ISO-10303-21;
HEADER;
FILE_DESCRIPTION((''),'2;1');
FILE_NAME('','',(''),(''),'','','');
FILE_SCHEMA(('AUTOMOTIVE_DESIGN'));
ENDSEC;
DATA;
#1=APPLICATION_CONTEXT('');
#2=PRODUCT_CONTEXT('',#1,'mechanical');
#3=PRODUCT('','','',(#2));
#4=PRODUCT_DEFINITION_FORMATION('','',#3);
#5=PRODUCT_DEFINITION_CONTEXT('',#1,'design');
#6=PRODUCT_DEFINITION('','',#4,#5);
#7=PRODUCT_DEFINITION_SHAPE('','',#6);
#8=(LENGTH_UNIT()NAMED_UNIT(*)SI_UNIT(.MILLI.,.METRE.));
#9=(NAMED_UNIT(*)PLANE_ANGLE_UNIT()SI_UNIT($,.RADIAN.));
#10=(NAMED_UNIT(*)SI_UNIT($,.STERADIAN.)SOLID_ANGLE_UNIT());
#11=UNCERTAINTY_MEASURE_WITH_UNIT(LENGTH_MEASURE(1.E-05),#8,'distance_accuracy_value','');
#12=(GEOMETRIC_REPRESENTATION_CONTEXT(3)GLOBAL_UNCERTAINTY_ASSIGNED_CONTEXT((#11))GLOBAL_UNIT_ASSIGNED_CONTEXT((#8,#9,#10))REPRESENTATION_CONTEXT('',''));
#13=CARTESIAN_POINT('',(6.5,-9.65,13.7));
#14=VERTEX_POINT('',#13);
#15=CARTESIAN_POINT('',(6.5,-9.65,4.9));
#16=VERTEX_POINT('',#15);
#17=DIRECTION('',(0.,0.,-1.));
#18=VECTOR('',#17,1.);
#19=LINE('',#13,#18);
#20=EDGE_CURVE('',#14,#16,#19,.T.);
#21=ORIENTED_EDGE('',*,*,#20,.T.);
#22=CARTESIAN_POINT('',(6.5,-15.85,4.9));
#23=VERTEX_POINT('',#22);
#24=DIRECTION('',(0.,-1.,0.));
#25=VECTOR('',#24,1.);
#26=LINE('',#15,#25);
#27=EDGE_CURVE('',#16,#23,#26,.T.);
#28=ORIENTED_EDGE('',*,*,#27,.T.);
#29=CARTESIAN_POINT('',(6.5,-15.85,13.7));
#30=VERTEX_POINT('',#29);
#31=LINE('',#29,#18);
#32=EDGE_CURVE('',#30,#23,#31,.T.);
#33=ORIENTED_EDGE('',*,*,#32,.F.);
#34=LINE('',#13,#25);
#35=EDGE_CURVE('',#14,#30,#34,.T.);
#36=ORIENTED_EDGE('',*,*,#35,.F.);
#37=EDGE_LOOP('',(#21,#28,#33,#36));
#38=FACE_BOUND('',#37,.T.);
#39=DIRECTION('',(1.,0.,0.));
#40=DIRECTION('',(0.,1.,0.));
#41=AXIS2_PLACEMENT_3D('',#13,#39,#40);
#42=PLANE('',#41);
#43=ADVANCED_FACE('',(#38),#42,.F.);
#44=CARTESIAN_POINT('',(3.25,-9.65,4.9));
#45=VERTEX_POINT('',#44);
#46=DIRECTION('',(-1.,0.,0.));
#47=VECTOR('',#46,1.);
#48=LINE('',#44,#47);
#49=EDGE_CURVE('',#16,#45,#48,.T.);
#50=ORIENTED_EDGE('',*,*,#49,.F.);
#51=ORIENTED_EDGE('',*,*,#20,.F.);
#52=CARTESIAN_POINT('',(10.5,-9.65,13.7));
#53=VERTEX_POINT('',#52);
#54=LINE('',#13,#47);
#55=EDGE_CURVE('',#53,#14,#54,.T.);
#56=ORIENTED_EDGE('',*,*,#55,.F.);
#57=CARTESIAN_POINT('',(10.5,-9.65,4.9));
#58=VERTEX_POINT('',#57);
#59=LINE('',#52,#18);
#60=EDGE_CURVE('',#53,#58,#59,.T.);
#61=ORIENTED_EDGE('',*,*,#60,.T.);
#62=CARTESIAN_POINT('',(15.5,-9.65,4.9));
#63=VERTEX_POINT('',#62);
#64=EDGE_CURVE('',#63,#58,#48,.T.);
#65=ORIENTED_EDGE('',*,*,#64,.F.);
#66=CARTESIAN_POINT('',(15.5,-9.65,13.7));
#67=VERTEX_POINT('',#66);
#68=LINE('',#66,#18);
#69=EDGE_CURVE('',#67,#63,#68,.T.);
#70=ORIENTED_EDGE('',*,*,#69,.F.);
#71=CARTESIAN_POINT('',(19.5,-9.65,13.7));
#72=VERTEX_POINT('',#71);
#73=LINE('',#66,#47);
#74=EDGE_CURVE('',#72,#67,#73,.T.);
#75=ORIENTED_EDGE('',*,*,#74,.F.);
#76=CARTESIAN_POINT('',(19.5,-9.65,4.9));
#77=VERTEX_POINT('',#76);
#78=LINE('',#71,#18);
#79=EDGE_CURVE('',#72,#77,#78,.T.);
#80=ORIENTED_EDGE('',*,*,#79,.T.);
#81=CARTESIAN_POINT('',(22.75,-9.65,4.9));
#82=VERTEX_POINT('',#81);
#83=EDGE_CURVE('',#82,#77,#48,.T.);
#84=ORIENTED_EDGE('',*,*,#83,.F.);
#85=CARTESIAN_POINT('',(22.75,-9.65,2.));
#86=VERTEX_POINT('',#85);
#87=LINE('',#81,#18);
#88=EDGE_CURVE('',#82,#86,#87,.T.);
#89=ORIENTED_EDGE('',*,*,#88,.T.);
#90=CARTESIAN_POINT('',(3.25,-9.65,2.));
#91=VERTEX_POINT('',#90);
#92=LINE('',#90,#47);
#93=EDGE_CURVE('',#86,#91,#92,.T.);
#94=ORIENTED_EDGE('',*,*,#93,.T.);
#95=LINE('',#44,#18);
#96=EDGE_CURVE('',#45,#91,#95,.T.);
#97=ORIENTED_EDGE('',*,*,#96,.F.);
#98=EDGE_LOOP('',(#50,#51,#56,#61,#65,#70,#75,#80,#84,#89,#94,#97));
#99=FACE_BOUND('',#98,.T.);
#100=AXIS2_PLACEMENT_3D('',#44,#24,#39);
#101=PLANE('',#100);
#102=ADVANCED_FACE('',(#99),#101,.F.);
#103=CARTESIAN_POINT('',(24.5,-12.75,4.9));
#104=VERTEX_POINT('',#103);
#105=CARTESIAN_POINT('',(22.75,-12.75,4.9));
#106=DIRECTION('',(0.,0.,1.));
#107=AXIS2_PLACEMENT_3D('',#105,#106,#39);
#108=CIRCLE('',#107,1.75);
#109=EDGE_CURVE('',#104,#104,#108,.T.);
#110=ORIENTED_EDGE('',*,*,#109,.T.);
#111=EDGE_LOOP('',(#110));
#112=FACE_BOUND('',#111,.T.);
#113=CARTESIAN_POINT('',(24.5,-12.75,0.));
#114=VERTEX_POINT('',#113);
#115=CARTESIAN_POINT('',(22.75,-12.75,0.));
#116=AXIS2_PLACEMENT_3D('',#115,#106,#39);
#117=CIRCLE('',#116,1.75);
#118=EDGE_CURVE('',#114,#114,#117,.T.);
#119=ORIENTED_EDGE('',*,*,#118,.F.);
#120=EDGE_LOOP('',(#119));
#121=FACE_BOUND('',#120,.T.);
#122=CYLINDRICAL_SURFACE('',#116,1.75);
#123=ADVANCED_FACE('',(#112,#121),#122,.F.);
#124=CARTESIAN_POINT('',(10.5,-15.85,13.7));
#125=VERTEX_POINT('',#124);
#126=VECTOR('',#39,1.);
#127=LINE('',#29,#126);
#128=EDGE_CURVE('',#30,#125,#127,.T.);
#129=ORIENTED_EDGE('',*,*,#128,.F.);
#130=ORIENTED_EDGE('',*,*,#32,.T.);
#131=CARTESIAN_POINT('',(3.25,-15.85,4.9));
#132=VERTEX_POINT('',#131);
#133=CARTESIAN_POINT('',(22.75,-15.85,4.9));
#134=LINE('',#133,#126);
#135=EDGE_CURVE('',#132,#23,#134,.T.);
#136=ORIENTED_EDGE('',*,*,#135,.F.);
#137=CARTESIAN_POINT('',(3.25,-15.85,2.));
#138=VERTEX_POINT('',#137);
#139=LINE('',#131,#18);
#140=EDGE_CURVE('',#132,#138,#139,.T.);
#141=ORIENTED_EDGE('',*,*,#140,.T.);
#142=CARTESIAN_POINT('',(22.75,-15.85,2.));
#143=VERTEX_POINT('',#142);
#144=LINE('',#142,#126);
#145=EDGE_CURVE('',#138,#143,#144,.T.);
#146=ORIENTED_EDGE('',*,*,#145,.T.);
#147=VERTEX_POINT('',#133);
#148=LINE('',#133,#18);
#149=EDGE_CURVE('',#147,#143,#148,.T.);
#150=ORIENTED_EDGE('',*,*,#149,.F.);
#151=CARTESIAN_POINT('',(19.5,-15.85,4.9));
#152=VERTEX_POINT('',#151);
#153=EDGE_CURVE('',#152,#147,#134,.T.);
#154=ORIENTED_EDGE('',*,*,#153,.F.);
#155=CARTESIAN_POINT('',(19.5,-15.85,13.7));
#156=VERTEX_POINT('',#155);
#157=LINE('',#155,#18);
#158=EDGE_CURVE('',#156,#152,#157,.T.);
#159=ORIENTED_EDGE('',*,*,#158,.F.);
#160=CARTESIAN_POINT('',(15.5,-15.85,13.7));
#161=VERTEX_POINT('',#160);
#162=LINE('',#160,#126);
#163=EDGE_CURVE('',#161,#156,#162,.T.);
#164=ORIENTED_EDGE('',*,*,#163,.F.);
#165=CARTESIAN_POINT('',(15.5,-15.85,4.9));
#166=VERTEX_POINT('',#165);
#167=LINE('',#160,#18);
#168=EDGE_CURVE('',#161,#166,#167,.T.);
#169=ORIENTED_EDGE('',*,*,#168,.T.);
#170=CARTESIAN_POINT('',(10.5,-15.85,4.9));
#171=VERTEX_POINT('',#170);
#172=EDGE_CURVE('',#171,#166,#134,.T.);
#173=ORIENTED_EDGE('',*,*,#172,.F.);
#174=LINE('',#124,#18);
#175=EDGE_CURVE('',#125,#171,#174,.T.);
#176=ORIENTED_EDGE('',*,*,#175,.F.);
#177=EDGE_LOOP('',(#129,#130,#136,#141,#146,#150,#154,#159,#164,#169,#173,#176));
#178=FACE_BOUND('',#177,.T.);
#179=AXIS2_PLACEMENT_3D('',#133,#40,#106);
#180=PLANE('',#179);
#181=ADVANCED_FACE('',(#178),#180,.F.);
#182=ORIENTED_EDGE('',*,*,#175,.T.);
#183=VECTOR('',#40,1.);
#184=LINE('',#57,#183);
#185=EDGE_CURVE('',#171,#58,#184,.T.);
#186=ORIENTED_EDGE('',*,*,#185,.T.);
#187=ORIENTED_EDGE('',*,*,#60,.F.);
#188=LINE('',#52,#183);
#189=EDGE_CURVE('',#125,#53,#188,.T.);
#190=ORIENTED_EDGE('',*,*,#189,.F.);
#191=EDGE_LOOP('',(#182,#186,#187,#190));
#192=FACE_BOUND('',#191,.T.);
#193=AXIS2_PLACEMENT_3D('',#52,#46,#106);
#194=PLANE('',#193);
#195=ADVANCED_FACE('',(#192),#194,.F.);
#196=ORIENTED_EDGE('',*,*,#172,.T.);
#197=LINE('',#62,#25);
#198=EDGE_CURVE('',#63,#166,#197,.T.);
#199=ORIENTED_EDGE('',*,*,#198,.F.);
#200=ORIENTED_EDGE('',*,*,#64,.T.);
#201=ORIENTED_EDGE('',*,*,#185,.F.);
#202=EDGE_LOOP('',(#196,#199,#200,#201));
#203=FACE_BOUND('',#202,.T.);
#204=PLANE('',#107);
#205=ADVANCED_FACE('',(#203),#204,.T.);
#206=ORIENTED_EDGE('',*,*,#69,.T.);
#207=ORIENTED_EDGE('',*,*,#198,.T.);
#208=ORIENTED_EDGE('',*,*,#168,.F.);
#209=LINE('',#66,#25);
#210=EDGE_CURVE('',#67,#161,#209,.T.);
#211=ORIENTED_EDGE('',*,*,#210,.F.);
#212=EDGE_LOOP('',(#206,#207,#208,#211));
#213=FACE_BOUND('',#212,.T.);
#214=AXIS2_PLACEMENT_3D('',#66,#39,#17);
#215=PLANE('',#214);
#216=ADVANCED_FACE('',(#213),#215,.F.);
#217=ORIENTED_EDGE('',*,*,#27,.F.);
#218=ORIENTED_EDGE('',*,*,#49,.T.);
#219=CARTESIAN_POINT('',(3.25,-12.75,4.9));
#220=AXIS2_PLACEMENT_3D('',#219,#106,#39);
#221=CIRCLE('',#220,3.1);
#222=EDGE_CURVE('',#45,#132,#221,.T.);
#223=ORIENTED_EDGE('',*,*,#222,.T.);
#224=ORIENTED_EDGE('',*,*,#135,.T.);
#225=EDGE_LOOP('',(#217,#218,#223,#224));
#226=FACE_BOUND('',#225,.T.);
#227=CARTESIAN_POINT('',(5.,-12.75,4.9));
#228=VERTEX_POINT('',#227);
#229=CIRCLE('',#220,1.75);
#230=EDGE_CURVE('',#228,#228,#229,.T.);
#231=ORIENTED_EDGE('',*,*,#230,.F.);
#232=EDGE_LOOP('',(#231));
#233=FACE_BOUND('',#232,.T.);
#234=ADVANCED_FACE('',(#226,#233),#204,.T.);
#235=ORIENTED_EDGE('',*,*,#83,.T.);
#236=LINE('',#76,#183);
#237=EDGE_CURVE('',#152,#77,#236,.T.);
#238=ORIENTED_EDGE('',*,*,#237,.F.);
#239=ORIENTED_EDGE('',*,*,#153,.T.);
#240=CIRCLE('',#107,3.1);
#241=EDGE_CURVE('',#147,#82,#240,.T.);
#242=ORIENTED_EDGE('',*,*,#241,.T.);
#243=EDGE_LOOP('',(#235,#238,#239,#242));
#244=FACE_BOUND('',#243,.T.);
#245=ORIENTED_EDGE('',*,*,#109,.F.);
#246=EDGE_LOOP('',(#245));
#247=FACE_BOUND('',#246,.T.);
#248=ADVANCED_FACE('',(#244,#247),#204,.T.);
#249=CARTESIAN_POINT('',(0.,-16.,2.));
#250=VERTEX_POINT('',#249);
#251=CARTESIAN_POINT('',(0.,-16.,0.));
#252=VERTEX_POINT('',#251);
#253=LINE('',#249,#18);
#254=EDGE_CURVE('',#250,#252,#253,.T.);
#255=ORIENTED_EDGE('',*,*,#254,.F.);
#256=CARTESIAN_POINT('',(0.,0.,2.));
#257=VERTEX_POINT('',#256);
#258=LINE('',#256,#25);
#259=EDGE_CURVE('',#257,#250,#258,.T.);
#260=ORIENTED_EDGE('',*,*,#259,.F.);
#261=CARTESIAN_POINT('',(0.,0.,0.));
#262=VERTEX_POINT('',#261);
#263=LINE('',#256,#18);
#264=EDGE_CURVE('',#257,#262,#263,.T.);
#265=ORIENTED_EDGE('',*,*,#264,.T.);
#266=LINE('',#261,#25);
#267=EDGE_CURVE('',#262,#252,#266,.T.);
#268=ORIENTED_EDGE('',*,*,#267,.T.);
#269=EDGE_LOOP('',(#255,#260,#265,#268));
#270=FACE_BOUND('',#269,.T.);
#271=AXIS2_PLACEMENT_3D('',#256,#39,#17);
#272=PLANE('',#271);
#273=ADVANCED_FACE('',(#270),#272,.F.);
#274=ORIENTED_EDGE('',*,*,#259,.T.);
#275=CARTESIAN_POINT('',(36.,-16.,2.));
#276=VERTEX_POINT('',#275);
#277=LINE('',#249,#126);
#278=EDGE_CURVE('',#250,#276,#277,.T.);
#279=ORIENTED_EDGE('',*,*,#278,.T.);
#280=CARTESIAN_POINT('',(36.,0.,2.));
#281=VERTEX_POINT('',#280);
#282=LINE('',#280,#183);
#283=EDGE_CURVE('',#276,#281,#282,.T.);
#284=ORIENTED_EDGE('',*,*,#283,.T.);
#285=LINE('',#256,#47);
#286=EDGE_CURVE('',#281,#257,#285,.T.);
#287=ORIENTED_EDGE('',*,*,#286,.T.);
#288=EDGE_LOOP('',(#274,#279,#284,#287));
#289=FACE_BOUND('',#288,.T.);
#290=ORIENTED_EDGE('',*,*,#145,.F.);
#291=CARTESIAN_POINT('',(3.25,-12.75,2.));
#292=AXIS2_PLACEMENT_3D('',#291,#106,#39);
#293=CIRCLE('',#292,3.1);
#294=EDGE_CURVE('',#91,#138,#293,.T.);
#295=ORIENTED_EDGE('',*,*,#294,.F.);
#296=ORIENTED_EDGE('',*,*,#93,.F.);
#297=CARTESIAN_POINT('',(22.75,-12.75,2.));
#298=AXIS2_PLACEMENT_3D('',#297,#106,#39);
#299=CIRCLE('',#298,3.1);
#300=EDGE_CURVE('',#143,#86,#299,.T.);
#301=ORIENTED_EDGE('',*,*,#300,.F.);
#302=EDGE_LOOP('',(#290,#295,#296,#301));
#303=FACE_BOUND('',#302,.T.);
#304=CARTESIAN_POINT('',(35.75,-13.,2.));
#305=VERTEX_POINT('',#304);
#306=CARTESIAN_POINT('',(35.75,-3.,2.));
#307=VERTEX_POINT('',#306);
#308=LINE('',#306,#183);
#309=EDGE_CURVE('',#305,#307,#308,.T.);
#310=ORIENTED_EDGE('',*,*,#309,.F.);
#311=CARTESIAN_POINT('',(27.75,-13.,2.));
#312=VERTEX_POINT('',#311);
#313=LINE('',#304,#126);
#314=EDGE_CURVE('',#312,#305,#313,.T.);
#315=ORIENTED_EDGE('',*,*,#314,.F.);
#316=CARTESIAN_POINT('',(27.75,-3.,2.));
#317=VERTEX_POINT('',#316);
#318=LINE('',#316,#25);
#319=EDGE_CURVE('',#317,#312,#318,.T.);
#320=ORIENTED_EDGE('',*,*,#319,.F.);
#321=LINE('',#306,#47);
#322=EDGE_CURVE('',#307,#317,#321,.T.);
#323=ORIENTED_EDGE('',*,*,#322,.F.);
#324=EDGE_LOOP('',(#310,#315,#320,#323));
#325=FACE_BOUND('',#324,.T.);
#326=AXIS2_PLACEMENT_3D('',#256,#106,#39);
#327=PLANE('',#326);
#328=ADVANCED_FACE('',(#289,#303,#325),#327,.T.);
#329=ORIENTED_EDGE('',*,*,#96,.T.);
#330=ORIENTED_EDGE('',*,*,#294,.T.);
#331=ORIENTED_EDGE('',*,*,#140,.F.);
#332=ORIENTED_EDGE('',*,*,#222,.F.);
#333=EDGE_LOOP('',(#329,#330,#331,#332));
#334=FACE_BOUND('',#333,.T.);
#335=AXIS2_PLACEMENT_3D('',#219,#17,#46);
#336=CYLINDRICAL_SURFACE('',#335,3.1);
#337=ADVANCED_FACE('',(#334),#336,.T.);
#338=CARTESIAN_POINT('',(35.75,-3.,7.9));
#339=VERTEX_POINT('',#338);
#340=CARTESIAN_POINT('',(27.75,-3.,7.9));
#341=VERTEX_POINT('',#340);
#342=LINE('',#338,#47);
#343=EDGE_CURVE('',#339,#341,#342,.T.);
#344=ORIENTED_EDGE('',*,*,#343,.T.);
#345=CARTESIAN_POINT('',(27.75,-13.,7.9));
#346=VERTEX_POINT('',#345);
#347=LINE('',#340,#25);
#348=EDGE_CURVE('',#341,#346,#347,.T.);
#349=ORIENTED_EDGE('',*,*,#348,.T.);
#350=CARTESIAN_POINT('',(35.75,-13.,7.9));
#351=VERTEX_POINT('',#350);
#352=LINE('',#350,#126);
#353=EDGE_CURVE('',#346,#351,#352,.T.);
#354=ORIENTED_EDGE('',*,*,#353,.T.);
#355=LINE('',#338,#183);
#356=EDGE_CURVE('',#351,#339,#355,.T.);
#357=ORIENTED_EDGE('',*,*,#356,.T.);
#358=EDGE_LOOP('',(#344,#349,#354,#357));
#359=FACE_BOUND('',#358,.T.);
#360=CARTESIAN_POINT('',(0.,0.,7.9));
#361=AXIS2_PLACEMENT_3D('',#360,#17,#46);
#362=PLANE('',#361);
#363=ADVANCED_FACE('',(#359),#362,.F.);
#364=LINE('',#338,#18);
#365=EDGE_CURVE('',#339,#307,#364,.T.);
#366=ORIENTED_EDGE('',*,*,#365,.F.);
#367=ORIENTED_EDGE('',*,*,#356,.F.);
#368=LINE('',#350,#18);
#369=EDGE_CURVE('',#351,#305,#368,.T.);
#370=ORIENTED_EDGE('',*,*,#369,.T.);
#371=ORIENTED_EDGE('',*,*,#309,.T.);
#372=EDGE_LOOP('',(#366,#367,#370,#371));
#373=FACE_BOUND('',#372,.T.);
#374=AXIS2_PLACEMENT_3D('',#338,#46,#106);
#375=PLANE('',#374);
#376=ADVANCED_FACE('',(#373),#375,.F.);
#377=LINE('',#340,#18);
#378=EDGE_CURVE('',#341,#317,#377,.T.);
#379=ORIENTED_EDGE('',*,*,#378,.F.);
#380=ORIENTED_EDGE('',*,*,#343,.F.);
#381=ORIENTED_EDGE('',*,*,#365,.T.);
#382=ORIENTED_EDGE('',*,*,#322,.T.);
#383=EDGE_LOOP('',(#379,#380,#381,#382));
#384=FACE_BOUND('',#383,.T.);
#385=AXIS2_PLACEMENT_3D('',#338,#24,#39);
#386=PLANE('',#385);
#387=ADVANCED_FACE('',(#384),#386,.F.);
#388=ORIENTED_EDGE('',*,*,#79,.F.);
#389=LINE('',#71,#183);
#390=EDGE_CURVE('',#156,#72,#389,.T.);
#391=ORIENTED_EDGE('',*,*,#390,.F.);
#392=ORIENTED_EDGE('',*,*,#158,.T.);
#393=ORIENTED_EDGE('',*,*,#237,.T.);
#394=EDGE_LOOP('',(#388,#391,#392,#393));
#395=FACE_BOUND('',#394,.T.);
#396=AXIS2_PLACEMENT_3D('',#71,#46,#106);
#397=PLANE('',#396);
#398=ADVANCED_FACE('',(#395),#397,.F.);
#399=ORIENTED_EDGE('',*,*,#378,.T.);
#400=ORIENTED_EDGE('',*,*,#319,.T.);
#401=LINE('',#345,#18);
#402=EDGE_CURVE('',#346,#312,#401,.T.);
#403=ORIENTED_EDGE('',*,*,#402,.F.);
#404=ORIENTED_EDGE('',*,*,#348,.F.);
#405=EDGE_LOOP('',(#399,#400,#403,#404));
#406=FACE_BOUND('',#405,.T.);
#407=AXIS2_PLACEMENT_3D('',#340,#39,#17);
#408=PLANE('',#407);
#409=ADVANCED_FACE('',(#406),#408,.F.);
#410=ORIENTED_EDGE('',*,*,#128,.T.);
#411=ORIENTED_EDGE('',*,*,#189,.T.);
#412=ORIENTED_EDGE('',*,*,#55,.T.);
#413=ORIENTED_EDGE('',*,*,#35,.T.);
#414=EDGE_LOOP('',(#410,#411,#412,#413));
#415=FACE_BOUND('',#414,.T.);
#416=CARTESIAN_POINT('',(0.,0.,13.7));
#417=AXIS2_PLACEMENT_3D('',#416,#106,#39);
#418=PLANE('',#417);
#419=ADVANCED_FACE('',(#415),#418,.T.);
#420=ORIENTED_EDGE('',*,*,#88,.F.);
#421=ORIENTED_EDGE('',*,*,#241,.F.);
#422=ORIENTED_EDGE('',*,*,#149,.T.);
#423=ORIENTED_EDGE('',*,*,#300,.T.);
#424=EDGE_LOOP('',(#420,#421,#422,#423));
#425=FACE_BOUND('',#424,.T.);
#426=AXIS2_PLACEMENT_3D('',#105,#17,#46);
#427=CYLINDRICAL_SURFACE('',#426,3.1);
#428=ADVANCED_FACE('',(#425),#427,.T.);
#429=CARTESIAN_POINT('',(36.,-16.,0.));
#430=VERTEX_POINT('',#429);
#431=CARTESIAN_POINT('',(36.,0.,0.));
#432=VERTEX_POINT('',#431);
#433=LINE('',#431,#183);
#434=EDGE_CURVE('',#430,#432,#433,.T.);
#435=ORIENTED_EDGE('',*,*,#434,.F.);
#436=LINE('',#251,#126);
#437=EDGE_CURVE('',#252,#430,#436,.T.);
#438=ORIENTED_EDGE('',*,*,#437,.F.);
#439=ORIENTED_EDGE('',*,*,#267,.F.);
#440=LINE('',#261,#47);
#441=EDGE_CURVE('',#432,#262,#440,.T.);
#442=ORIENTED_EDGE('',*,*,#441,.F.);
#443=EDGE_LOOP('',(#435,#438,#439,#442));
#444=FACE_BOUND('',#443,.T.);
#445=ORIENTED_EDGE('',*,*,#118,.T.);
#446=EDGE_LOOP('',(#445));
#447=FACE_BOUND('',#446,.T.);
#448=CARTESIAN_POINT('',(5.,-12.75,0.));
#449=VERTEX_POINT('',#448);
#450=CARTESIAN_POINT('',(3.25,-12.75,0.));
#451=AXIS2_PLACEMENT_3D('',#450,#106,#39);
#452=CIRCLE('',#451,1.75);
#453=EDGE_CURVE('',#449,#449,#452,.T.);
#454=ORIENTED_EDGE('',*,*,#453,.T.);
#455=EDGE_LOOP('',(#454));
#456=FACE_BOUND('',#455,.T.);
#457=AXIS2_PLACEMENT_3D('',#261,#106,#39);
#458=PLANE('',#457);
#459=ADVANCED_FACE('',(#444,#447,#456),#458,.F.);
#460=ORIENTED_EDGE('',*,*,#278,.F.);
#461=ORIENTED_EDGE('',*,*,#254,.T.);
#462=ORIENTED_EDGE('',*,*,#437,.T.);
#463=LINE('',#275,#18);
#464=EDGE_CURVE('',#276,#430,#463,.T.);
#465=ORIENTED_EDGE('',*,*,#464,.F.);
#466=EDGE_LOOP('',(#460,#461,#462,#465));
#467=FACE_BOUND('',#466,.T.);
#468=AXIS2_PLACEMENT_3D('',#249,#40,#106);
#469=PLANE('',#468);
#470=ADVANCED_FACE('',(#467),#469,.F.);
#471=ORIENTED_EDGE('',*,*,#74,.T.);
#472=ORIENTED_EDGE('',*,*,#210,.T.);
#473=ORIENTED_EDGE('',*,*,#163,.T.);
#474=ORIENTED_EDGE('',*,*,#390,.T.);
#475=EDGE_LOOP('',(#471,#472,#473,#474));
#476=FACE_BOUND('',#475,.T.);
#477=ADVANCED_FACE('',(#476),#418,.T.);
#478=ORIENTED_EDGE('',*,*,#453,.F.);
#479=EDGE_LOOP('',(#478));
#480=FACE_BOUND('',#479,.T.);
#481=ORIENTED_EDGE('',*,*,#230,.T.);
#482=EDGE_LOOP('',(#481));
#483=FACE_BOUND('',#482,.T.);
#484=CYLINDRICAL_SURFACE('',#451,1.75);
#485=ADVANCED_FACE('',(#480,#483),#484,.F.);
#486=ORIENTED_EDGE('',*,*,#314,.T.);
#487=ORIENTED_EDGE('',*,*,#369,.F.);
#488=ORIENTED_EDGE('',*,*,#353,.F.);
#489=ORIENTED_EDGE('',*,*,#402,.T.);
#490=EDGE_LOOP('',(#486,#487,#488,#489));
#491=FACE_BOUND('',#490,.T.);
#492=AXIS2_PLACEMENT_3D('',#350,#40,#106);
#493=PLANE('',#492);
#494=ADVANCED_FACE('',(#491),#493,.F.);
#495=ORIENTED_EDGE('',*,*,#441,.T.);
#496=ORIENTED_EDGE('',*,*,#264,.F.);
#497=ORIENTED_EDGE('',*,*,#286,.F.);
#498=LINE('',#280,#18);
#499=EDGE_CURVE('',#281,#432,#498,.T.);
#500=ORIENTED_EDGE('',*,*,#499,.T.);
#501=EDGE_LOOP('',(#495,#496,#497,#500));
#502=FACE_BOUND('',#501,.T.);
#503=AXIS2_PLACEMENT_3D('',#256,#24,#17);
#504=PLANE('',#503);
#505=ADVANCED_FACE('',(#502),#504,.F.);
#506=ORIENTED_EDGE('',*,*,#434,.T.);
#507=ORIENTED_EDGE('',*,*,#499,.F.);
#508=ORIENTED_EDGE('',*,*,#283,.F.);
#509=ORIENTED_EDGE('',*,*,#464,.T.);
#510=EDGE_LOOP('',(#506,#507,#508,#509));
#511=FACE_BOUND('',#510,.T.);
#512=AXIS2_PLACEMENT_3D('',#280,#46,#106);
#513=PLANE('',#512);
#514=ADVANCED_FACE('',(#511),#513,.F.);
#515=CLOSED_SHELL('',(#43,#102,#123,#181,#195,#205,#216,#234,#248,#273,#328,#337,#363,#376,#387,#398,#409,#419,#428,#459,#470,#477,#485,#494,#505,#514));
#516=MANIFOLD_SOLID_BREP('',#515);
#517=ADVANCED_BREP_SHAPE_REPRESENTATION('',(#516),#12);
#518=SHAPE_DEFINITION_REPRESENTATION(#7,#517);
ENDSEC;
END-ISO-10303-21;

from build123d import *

# Parameters (mm, degrees)
SKETCH_1_W          = 36
SKETCH_1_H          = 16
EXTRUDE_1_DEPTH     = 2
EXTRUDE_2_DEPTH     = 2.9
SKETCH_3_W          = 4
SKETCH_3_H          = 6.2
EXTRUDE_3_DEPTH     = 8.8
SKETCH_4_W          = 8
SKETCH_4_H          = 10
EXTRUDE_4_DEPTH     = 5.9
SKETCH_5_R          = 1.75
CUT_EXTRUDE_1_DEPTH = 41.366322597


with BuildPart() as part:
    # Эскиз1 → Бобышка-Вытянуть1 (new body)
    with BuildSketch(Plane.XY):
        with Locations((18, -8)):
            Rectangle(SKETCH_1_W, SKETCH_1_H)
    extrude(amount=EXTRUDE_1_DEPTH)

    # Эскиз2 → Бобышка-Вытянуть2 (add)
    with BuildSketch(Plane.XY.offset(2)):
        with BuildLine():
            Line((3.25, -9.65), (22.75, -9.65))
            ThreePointArc((22.75, -9.65), (25.85, -12.75), (22.75, -15.85))
            Line((22.75, -15.85), (3.25, -15.85))
            ThreePointArc((3.25, -15.85), (0.15, -12.75), (3.25, -9.65))
        make_face()
    extrude(amount=EXTRUDE_2_DEPTH)

    # Эскиз3 → Бобышка-Вытянуть3 (add)
    with BuildSketch(Plane.XY.offset(4.9)):
        with Locations((8.5, -12.75)):
            Rectangle(SKETCH_3_W, SKETCH_3_H)
        with Locations((17.5, -12.75)):
            Rectangle(SKETCH_3_W, SKETCH_3_H)
    extrude(amount=EXTRUDE_3_DEPTH)

    # Эскиз4 → Бобышка-Вытянуть4 (add)
    with BuildSketch(Plane.XY.offset(2)):
        with Locations((31.75, -8)):
            Rectangle(SKETCH_4_W, SKETCH_4_H)
    extrude(amount=EXTRUDE_4_DEPTH)

    # Эскиз5 → Вырез-Вытянуть1 (cut, through all)
    with BuildSketch(Plane.XY.offset(4.9)):
        with Locations((3.25, -12.75)):
            Circle(SKETCH_5_R)
        with Locations((22.75, -12.75)):
            Circle(SKETCH_5_R)
    extrude(amount=-CUT_EXTRUDE_1_DEPTH, mode=Mode.SUBTRACT)


solid = part.part
